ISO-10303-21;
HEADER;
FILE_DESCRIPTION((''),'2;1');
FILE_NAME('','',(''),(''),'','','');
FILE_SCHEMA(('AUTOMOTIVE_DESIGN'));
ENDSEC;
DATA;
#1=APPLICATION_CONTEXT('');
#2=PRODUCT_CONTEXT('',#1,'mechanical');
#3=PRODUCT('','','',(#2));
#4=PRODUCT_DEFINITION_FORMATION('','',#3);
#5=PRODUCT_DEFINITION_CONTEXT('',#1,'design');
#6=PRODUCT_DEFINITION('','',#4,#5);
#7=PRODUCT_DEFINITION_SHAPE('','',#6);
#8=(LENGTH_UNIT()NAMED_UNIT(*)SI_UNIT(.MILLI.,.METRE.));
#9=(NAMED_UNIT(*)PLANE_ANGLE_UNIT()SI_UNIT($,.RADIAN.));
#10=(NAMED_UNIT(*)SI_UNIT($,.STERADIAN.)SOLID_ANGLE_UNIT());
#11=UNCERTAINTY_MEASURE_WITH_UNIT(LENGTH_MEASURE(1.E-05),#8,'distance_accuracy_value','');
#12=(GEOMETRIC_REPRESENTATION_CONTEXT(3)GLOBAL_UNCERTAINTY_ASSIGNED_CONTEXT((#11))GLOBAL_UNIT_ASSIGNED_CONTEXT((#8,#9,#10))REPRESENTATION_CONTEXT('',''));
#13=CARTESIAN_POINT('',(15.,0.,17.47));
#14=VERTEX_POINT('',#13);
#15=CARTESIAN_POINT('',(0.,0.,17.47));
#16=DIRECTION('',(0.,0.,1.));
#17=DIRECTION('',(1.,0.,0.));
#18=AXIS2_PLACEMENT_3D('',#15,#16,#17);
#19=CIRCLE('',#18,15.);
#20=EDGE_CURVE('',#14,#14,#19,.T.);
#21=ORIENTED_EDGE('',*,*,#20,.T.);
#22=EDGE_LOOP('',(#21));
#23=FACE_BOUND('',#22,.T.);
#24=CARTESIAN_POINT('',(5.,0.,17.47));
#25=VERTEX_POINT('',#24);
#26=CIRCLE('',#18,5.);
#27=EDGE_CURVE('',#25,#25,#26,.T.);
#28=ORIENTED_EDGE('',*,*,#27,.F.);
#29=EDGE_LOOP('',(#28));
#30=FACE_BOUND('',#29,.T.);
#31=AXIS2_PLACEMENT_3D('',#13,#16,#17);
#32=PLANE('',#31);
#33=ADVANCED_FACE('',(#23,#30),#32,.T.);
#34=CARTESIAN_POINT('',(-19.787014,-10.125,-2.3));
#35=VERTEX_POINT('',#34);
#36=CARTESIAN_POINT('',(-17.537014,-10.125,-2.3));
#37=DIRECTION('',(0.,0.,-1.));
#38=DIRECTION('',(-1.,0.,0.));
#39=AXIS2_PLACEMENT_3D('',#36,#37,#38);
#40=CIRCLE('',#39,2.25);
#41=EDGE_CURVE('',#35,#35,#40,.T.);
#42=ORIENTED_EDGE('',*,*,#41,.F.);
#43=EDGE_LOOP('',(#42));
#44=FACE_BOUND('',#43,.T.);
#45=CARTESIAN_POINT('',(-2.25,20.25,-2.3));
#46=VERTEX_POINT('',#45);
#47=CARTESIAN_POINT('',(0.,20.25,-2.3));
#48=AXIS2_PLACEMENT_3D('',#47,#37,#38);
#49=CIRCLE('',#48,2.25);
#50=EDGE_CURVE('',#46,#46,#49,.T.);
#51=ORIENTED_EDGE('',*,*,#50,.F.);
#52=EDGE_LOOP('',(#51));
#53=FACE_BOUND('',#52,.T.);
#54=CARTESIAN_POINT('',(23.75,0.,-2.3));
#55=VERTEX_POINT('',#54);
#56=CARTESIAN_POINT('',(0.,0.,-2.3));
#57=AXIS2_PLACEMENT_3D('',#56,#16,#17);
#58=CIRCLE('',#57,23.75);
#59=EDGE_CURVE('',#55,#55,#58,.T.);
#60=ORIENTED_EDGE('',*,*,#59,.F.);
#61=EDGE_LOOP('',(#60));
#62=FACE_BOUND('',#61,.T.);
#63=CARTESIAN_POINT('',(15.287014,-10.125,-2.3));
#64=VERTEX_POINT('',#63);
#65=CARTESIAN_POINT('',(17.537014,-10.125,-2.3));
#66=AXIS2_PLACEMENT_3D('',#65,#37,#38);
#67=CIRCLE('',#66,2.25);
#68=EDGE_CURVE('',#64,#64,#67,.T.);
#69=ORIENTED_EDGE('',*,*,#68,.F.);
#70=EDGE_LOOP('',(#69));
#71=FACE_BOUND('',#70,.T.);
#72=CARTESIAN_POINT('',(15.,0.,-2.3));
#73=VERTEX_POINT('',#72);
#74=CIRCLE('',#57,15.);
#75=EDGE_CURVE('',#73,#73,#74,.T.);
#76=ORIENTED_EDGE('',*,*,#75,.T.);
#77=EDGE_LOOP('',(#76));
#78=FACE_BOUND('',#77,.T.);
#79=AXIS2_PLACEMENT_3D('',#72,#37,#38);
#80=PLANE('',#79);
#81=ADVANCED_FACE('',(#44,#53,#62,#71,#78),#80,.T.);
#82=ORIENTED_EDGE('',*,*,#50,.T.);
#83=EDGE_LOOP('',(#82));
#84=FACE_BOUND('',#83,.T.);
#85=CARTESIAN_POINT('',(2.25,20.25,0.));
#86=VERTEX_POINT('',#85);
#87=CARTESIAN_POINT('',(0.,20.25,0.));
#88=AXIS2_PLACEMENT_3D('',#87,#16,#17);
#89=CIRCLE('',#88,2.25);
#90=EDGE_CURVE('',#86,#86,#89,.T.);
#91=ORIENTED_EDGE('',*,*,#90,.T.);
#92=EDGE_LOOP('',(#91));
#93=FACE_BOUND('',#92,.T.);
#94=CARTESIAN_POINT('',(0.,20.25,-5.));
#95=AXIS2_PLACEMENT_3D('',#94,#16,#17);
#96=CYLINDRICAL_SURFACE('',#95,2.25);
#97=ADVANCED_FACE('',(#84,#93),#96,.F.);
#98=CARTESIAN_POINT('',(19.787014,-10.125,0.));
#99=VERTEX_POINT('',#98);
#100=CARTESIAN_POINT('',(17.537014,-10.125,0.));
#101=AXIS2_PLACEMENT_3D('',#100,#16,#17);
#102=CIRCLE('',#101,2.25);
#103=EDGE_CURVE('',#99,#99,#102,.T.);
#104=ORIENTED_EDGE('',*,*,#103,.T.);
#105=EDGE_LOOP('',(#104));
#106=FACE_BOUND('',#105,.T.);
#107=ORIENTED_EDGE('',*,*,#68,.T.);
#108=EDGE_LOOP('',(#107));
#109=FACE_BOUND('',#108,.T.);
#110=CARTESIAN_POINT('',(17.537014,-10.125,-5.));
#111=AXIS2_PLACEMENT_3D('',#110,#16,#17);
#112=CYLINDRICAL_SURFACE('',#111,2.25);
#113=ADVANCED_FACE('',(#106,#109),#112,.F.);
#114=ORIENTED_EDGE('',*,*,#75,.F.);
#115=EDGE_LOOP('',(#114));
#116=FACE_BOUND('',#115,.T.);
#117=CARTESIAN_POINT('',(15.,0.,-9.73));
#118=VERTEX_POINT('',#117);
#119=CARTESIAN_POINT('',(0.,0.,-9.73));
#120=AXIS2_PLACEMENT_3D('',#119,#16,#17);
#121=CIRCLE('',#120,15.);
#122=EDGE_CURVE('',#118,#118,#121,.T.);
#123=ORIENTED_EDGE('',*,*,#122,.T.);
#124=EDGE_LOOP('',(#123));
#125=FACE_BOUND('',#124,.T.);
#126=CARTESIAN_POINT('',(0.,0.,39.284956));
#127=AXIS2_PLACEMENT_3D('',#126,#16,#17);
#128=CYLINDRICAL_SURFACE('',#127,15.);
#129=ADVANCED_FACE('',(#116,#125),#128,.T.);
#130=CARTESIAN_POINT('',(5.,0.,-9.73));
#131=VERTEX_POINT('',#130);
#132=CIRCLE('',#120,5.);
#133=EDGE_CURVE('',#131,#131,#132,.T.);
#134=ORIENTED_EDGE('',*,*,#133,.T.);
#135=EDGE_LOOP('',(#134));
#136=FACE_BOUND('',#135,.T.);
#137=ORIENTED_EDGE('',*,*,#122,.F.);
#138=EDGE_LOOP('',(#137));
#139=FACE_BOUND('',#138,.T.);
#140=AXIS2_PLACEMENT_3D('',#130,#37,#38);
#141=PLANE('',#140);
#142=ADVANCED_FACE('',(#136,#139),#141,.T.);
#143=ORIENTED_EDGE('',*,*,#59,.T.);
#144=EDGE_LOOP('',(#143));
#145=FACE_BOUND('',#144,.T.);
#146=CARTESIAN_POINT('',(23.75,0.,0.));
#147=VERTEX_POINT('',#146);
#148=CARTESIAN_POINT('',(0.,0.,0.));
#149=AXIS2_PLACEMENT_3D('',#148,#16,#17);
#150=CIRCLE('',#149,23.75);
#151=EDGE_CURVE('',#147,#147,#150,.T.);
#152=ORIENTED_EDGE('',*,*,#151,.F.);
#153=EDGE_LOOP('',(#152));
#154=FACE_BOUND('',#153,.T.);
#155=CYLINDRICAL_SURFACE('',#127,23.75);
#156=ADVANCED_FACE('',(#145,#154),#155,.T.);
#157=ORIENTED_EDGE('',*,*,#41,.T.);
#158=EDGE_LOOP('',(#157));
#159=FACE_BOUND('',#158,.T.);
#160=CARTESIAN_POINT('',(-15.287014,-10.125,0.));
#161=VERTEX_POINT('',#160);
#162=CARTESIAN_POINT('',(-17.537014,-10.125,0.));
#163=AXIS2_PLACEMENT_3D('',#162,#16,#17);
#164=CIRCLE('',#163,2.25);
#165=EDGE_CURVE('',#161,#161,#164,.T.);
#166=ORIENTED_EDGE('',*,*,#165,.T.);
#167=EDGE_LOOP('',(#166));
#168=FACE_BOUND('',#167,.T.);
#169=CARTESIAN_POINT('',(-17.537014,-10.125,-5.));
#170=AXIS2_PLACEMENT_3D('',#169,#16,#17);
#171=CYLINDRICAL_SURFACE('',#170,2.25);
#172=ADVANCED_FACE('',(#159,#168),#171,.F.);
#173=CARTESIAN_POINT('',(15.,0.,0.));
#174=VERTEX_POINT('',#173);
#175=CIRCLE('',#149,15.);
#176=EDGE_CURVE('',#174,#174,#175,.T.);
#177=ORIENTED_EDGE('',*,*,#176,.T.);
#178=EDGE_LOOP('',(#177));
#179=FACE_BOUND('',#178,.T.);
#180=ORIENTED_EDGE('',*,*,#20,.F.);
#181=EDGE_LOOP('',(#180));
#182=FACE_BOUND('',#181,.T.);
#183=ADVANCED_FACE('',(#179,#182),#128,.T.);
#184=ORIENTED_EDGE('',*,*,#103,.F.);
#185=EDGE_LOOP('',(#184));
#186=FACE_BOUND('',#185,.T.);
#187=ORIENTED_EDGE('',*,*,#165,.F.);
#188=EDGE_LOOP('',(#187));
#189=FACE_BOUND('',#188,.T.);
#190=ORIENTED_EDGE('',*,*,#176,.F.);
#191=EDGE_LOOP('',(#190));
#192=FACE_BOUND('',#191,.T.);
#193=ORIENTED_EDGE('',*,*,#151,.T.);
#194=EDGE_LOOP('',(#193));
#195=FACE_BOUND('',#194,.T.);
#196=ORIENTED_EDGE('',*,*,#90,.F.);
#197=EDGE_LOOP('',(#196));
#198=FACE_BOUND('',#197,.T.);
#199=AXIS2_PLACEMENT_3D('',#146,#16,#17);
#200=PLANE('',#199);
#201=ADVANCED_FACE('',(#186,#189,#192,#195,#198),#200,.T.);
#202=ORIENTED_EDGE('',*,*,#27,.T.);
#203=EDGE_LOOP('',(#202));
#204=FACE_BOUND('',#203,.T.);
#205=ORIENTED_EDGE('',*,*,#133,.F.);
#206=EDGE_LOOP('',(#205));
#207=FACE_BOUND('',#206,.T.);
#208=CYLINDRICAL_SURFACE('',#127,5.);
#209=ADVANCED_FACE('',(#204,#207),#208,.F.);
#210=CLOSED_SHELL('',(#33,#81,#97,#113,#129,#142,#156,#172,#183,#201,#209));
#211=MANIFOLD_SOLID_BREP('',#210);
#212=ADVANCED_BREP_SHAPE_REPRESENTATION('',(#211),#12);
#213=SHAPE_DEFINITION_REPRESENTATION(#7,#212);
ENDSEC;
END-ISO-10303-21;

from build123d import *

# Parameters (mm, degrees)
SKETCH3_R          = 2.25
CUT_EXTRUDE1_DEPTH = 5


with BuildPart() as part:
    # Sketch2 → Revolve1 (revolve)
    with BuildSketch(Plane(origin=(0, 0, 0), x_dir=(1, 0, 0), z_dir=(0, 1, 0))):
        Polygon((5, -17.47), (5, 9.73), (15, 9.73), (15, 2.3), (23.75, 2.3), (23.75, 0), (15, 0), (15, -17.47), align=None)
    revolve(axis=Axis((0, 0, 39.284955752), (0, 0, -1)))

    # Sketch3 → Cut-Extrude1 (cut, symmetric)
    with BuildSketch(Plane.XY):
        with Locations((0, 20.25)):
            Circle(SKETCH3_R)
        with Locations((17.537014427, -10.125)):
            Circle(SKETCH3_R)
        with Locations((-17.537014427, -10.125)):
            Circle(SKETCH3_R)
    extrude(amount=CUT_EXTRUDE1_DEPTH, both=True, mode=Mode.SUBTRACT)


solid = part.part
